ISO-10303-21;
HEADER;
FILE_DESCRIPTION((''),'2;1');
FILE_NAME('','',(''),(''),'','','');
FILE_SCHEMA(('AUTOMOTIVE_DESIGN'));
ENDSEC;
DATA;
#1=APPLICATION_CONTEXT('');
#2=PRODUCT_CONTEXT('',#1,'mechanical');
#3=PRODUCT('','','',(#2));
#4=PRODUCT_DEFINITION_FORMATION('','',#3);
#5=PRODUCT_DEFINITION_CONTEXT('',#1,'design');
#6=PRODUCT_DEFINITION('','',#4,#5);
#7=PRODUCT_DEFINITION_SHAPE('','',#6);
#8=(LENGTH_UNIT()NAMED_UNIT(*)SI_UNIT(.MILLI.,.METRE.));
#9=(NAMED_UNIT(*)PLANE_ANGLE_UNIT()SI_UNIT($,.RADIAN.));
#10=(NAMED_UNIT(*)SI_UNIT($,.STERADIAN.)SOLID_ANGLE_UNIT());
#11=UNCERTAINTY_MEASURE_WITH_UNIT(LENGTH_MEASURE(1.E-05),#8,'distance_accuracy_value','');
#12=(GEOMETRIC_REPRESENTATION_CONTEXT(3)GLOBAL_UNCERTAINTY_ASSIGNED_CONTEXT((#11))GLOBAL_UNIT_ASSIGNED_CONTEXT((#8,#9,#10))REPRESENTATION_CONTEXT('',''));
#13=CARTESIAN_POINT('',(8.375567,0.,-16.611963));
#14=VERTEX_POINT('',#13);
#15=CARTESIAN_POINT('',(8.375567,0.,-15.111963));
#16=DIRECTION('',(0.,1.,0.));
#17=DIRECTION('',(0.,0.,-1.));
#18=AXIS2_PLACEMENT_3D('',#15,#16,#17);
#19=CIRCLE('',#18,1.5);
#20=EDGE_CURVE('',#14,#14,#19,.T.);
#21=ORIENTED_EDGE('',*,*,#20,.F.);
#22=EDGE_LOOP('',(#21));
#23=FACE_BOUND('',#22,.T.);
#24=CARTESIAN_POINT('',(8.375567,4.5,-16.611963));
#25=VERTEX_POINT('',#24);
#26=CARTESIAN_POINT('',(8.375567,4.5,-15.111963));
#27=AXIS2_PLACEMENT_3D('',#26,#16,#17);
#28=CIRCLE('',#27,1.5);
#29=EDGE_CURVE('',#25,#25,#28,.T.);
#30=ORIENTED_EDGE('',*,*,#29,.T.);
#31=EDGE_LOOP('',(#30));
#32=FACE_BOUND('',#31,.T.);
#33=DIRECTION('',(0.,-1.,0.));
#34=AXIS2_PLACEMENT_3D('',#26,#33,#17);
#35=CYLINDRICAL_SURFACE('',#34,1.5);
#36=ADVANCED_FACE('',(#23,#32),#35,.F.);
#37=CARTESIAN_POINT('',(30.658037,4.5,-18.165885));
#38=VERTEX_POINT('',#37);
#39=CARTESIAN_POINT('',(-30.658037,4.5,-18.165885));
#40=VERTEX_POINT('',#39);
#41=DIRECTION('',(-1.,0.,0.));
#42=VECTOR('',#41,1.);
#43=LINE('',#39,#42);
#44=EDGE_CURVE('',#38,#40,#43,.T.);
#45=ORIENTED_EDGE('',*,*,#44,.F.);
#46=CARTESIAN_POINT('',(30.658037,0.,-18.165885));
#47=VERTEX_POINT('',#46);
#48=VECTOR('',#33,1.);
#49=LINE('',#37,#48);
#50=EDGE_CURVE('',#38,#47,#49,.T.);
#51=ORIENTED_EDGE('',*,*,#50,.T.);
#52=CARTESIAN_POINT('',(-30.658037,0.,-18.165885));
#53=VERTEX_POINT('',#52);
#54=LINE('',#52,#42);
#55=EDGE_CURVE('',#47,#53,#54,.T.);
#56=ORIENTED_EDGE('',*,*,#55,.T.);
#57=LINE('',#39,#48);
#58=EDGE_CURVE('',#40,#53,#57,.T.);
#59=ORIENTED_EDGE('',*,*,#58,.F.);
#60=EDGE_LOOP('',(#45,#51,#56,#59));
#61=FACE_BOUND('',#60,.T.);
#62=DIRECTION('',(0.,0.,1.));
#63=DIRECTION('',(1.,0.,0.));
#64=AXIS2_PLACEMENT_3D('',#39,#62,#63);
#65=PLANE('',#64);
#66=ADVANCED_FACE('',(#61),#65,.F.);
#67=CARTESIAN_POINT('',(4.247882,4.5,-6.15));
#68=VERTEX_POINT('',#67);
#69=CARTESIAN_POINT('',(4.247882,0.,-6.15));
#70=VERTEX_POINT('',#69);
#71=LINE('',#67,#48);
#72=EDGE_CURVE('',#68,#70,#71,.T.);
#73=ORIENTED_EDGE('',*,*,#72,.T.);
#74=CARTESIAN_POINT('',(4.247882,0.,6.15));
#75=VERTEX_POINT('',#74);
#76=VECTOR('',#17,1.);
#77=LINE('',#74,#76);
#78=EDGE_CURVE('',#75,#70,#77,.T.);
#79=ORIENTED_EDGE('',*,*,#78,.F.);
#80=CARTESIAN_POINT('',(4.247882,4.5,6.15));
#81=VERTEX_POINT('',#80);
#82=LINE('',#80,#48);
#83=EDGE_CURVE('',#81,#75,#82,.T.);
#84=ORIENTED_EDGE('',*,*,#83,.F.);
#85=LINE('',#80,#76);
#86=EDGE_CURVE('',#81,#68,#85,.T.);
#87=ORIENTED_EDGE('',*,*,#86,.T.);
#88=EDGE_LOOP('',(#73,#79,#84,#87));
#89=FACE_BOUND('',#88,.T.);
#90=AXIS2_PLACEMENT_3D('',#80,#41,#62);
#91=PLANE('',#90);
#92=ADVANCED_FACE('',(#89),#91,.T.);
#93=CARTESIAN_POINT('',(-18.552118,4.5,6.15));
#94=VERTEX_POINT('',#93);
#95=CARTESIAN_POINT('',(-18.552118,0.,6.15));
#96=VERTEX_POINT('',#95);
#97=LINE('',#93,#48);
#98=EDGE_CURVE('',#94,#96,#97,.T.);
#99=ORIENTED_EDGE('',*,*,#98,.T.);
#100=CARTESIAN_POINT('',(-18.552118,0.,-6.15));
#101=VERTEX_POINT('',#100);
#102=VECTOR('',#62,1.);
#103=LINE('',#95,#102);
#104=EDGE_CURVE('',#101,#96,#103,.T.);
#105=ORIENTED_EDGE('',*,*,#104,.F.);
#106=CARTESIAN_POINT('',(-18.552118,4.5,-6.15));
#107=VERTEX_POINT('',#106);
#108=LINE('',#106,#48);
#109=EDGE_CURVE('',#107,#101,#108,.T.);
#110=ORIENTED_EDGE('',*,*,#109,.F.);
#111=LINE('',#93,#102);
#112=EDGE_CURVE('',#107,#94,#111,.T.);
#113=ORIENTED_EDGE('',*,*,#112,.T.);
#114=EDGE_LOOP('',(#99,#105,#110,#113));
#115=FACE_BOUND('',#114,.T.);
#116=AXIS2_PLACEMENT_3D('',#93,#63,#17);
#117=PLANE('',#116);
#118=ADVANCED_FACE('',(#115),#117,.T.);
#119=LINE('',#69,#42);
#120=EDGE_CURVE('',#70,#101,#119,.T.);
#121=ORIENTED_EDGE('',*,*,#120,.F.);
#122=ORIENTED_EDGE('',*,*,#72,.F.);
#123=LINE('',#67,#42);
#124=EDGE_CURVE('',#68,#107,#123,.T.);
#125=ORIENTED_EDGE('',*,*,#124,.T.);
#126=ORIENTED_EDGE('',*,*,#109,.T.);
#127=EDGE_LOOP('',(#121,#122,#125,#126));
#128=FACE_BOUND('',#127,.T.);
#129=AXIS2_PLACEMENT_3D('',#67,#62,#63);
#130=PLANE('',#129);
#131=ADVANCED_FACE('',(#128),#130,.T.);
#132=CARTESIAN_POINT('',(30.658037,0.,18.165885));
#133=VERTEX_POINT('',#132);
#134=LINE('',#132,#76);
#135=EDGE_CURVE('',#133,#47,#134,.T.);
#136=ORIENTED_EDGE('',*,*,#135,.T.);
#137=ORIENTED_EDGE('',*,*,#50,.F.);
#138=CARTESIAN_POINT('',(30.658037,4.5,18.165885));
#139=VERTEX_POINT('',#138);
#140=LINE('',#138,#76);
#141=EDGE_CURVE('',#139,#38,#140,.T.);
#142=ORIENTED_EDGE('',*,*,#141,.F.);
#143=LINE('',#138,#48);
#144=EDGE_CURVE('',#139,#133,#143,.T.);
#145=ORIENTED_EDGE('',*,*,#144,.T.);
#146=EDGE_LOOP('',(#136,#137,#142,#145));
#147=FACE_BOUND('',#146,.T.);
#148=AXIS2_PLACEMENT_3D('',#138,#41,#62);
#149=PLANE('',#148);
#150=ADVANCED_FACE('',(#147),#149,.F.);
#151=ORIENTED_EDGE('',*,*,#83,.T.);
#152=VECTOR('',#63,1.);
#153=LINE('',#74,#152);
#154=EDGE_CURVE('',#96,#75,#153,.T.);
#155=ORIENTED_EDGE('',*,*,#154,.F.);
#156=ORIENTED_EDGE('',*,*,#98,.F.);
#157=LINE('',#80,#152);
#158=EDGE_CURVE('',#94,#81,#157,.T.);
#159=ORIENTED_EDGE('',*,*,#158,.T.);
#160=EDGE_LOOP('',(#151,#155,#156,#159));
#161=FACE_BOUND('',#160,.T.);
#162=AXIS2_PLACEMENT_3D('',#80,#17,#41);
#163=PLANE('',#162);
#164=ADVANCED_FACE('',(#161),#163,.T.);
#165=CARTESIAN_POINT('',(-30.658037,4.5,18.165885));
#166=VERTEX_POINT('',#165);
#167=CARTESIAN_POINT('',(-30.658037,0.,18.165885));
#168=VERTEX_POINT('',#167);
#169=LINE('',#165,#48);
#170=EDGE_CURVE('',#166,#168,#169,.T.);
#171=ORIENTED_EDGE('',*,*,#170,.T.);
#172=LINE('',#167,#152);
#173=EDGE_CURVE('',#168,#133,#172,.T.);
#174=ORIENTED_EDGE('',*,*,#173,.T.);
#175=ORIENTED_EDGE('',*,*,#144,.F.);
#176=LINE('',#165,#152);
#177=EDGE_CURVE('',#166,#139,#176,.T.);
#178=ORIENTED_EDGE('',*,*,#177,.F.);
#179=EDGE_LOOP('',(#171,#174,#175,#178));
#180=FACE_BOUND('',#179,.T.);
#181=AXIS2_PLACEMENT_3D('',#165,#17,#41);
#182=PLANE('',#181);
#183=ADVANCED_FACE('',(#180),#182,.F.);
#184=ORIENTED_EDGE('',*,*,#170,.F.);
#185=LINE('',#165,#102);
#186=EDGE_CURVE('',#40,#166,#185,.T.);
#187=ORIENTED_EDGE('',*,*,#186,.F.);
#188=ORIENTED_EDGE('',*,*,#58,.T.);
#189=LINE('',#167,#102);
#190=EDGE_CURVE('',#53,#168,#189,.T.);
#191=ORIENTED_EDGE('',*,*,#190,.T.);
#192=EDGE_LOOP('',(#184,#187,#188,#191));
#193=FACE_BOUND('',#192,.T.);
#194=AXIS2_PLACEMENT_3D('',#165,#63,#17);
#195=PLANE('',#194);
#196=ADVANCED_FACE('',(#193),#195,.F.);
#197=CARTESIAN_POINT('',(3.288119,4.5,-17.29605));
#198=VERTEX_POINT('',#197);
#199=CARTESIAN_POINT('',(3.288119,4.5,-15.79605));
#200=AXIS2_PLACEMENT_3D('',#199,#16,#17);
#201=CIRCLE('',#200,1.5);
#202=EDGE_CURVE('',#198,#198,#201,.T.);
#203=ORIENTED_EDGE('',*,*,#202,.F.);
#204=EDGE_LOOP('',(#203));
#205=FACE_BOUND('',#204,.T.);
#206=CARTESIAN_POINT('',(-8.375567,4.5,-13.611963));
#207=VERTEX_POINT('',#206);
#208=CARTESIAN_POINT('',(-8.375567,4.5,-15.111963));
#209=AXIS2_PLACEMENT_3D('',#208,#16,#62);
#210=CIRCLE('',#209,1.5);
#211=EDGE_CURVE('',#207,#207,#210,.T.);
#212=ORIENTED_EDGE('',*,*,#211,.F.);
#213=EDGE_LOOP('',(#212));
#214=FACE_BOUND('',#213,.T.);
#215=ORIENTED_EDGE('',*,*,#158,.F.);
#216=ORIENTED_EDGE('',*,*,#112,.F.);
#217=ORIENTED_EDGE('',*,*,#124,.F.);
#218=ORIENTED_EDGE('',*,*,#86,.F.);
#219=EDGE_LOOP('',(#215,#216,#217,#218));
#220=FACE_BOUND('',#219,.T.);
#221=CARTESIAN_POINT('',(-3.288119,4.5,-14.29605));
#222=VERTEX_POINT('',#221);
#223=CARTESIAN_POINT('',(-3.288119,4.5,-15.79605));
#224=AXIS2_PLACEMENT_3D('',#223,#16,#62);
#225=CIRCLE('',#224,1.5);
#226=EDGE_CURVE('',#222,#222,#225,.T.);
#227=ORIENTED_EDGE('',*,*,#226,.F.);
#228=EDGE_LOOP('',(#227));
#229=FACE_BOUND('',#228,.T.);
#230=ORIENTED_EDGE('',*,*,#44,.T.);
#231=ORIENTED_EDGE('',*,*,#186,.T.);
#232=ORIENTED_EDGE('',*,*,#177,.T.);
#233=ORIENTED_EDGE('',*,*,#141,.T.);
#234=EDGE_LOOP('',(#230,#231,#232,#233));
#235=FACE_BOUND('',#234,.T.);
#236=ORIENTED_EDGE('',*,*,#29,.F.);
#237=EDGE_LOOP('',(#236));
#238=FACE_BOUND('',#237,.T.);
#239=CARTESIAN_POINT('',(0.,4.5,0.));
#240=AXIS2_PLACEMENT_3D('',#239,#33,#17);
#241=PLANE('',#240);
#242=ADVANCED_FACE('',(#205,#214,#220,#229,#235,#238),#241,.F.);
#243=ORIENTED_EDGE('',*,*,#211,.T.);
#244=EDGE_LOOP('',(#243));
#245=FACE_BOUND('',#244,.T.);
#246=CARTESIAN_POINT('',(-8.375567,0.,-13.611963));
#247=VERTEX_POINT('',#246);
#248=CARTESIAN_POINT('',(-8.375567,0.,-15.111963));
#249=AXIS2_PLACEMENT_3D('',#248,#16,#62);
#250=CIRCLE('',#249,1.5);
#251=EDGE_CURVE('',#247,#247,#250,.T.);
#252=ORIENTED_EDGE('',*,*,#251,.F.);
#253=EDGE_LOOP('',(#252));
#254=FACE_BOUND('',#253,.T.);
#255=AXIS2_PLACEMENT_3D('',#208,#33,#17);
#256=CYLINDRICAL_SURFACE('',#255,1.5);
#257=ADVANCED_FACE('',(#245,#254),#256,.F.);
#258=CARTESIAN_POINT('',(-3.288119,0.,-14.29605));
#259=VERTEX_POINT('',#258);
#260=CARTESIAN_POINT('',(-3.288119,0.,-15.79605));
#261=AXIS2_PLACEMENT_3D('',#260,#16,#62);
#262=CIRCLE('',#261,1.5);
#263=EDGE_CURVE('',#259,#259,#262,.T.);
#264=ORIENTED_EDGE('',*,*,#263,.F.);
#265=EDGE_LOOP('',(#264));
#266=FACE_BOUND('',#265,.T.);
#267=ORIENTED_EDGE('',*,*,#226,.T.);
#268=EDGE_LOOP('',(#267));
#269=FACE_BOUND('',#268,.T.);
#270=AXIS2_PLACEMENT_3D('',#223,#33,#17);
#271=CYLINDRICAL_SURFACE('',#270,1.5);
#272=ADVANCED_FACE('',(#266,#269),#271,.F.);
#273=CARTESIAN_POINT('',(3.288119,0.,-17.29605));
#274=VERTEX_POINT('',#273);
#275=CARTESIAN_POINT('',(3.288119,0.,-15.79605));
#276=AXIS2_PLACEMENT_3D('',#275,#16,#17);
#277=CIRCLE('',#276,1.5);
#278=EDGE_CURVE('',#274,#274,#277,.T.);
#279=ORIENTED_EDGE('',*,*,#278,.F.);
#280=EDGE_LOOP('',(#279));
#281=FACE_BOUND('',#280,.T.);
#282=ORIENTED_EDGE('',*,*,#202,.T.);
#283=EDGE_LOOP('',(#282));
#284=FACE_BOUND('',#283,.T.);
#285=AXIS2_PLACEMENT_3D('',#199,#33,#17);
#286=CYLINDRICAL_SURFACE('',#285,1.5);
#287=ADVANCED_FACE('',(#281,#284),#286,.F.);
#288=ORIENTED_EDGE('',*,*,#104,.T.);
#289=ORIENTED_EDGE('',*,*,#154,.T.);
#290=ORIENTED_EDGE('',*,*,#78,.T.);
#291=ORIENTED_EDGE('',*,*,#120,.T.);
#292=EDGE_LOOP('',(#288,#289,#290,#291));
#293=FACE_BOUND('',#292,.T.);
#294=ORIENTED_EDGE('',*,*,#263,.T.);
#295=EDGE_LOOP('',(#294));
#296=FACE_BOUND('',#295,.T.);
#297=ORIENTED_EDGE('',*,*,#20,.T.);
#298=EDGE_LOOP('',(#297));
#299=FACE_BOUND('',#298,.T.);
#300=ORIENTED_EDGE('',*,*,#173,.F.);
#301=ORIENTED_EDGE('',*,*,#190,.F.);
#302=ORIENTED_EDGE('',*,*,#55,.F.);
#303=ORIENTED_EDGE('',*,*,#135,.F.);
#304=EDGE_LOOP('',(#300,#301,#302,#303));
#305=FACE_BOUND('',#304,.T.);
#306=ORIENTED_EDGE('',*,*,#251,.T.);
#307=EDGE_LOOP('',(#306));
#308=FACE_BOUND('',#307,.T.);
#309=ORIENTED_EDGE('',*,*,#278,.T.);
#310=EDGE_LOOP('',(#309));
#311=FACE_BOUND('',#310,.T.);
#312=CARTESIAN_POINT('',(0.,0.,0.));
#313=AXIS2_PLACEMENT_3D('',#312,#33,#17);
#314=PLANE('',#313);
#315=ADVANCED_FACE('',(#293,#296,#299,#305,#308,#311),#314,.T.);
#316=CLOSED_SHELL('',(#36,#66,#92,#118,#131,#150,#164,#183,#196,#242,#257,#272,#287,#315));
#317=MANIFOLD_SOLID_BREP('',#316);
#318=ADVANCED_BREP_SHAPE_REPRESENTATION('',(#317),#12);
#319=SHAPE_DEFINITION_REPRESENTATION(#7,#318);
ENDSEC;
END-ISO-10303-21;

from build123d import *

# Parameters (mm, degrees)
SKETCH1_W           = 61.316073308
SKETCH1_H           = 36.331769478
SKETCH1_R           = 1.5
SKETCH1_W_2         = 22.8
SKETCH1_H_2         = 12.3
BOSS_EXTRUDE1_DEPTH = 4.5


with BuildPart() as part:
    # Sketch1 → Boss-Extrude1 (new body)
    with BuildSketch(Plane(origin=(0, 0, 0), x_dir=(1, 0, 0), z_dir=(0, 1, 0))):
        Rectangle(SKETCH1_W, SKETCH1_H)
        with Locations(Location((-8.375566803, 15.111963379, 0), (0, 0, 270))):
            Circle(SKETCH1_R, mode=Mode.SUBTRACT)
        with Locations(Location((-3.28811928, 15.796049513, 0), (0, 0, 270))):
            Circle(SKETCH1_R, mode=Mode.SUBTRACT)
        with Locations(Location((3.28811928, 15.796049513, 0), (0, 0, 90))):
            Circle(SKETCH1_R, mode=Mode.SUBTRACT)
        with Locations(Location((8.375566803, 15.111963379, 0), (0, 0, 90))):
            Circle(SKETCH1_R, mode=Mode.SUBTRACT)
        with Locations((-7.152117885, 0)):
            Rectangle(SKETCH1_W_2, SKETCH1_H_2, mode=Mode.SUBTRACT)
    extrude(amount=BOSS_EXTRUDE1_DEPTH)


solid = part.part
